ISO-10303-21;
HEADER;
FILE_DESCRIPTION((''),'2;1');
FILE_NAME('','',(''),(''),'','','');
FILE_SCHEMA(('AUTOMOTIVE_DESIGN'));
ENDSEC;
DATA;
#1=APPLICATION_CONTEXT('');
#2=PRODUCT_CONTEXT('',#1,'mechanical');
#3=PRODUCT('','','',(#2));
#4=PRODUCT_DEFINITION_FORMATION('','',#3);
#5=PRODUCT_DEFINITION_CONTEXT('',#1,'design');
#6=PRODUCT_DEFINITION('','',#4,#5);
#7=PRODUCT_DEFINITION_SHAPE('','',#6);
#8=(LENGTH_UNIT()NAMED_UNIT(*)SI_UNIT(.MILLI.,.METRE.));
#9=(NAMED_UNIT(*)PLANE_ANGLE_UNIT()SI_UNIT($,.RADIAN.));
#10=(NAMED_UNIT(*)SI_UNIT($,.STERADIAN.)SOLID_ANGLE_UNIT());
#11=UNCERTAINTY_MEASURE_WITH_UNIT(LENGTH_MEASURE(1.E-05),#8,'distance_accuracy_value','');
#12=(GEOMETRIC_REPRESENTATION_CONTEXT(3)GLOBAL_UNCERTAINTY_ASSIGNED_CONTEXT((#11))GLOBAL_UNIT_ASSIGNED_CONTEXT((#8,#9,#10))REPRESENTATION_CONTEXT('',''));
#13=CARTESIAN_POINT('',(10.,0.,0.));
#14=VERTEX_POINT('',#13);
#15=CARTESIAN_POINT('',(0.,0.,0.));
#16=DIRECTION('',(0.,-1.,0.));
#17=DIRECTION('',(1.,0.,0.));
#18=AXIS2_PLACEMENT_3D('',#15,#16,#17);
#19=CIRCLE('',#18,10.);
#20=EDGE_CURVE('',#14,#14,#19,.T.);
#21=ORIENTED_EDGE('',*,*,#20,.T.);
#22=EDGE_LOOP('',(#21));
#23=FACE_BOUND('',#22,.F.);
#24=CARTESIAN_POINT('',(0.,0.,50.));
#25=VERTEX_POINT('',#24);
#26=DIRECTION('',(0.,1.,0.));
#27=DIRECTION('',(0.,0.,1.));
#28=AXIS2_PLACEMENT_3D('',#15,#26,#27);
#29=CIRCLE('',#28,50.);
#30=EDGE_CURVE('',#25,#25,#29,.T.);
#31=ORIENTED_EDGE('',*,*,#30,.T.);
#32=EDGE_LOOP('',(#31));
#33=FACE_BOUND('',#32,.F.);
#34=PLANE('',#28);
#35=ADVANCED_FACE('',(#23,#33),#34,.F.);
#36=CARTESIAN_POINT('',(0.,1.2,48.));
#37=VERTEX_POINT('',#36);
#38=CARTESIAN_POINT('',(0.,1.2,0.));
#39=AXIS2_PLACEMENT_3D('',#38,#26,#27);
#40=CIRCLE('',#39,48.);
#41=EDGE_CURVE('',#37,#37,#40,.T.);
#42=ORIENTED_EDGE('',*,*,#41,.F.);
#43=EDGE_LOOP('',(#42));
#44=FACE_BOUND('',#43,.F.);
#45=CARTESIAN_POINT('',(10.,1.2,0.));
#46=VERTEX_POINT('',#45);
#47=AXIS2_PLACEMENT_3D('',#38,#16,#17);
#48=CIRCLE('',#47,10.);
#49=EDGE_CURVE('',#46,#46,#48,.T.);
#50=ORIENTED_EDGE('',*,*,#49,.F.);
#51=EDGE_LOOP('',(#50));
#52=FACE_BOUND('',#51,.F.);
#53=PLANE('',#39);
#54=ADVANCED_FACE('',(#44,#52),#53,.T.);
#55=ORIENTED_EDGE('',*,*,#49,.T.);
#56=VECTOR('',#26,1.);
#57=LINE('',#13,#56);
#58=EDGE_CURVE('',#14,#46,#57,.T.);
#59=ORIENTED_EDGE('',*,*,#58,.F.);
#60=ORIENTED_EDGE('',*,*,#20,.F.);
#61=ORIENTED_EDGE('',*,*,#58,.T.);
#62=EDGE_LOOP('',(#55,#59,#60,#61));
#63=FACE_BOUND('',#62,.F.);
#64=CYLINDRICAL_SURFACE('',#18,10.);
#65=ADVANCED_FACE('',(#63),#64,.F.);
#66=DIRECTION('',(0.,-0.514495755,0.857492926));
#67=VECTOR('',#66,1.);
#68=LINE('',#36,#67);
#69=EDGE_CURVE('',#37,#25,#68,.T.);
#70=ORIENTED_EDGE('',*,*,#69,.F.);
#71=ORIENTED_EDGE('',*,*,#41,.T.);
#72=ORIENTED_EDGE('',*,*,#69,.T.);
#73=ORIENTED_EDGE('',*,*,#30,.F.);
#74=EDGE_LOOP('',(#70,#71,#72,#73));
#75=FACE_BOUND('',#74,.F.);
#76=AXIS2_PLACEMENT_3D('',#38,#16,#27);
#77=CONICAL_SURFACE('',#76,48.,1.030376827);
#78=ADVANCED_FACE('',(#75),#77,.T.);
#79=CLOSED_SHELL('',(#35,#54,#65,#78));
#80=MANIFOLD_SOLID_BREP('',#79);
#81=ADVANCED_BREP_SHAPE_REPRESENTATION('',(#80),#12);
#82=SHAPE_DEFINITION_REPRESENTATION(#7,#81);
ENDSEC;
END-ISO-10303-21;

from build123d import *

# Parameters (mm, degrees)
SKETCH001_R       = 10
POCKET_DEPTH      = 1.201
POCKET_DEPTH_BACK = 0.001


with BuildPart() as part:
    # Sketch → Revolution (revolve)
    with BuildSketch(Plane.YZ):
        Polygon((0, 0), (1.2, 0), (1.2, 48), (0, 50), align=None)
    revolve(axis=Axis((0, 0, 0), (0, 1, 0)))

    # Sketch001 → Pocket (cut, two sides)
    with BuildSketch(Plane.XZ) as pocket_sk:
        Circle(SKETCH001_R)
    extrude(amount=-POCKET_DEPTH, mode=Mode.SUBTRACT)
    extrude(pocket_sk.sketch, amount=POCKET_DEPTH_BACK, mode=Mode.SUBTRACT)


solid = part.part
